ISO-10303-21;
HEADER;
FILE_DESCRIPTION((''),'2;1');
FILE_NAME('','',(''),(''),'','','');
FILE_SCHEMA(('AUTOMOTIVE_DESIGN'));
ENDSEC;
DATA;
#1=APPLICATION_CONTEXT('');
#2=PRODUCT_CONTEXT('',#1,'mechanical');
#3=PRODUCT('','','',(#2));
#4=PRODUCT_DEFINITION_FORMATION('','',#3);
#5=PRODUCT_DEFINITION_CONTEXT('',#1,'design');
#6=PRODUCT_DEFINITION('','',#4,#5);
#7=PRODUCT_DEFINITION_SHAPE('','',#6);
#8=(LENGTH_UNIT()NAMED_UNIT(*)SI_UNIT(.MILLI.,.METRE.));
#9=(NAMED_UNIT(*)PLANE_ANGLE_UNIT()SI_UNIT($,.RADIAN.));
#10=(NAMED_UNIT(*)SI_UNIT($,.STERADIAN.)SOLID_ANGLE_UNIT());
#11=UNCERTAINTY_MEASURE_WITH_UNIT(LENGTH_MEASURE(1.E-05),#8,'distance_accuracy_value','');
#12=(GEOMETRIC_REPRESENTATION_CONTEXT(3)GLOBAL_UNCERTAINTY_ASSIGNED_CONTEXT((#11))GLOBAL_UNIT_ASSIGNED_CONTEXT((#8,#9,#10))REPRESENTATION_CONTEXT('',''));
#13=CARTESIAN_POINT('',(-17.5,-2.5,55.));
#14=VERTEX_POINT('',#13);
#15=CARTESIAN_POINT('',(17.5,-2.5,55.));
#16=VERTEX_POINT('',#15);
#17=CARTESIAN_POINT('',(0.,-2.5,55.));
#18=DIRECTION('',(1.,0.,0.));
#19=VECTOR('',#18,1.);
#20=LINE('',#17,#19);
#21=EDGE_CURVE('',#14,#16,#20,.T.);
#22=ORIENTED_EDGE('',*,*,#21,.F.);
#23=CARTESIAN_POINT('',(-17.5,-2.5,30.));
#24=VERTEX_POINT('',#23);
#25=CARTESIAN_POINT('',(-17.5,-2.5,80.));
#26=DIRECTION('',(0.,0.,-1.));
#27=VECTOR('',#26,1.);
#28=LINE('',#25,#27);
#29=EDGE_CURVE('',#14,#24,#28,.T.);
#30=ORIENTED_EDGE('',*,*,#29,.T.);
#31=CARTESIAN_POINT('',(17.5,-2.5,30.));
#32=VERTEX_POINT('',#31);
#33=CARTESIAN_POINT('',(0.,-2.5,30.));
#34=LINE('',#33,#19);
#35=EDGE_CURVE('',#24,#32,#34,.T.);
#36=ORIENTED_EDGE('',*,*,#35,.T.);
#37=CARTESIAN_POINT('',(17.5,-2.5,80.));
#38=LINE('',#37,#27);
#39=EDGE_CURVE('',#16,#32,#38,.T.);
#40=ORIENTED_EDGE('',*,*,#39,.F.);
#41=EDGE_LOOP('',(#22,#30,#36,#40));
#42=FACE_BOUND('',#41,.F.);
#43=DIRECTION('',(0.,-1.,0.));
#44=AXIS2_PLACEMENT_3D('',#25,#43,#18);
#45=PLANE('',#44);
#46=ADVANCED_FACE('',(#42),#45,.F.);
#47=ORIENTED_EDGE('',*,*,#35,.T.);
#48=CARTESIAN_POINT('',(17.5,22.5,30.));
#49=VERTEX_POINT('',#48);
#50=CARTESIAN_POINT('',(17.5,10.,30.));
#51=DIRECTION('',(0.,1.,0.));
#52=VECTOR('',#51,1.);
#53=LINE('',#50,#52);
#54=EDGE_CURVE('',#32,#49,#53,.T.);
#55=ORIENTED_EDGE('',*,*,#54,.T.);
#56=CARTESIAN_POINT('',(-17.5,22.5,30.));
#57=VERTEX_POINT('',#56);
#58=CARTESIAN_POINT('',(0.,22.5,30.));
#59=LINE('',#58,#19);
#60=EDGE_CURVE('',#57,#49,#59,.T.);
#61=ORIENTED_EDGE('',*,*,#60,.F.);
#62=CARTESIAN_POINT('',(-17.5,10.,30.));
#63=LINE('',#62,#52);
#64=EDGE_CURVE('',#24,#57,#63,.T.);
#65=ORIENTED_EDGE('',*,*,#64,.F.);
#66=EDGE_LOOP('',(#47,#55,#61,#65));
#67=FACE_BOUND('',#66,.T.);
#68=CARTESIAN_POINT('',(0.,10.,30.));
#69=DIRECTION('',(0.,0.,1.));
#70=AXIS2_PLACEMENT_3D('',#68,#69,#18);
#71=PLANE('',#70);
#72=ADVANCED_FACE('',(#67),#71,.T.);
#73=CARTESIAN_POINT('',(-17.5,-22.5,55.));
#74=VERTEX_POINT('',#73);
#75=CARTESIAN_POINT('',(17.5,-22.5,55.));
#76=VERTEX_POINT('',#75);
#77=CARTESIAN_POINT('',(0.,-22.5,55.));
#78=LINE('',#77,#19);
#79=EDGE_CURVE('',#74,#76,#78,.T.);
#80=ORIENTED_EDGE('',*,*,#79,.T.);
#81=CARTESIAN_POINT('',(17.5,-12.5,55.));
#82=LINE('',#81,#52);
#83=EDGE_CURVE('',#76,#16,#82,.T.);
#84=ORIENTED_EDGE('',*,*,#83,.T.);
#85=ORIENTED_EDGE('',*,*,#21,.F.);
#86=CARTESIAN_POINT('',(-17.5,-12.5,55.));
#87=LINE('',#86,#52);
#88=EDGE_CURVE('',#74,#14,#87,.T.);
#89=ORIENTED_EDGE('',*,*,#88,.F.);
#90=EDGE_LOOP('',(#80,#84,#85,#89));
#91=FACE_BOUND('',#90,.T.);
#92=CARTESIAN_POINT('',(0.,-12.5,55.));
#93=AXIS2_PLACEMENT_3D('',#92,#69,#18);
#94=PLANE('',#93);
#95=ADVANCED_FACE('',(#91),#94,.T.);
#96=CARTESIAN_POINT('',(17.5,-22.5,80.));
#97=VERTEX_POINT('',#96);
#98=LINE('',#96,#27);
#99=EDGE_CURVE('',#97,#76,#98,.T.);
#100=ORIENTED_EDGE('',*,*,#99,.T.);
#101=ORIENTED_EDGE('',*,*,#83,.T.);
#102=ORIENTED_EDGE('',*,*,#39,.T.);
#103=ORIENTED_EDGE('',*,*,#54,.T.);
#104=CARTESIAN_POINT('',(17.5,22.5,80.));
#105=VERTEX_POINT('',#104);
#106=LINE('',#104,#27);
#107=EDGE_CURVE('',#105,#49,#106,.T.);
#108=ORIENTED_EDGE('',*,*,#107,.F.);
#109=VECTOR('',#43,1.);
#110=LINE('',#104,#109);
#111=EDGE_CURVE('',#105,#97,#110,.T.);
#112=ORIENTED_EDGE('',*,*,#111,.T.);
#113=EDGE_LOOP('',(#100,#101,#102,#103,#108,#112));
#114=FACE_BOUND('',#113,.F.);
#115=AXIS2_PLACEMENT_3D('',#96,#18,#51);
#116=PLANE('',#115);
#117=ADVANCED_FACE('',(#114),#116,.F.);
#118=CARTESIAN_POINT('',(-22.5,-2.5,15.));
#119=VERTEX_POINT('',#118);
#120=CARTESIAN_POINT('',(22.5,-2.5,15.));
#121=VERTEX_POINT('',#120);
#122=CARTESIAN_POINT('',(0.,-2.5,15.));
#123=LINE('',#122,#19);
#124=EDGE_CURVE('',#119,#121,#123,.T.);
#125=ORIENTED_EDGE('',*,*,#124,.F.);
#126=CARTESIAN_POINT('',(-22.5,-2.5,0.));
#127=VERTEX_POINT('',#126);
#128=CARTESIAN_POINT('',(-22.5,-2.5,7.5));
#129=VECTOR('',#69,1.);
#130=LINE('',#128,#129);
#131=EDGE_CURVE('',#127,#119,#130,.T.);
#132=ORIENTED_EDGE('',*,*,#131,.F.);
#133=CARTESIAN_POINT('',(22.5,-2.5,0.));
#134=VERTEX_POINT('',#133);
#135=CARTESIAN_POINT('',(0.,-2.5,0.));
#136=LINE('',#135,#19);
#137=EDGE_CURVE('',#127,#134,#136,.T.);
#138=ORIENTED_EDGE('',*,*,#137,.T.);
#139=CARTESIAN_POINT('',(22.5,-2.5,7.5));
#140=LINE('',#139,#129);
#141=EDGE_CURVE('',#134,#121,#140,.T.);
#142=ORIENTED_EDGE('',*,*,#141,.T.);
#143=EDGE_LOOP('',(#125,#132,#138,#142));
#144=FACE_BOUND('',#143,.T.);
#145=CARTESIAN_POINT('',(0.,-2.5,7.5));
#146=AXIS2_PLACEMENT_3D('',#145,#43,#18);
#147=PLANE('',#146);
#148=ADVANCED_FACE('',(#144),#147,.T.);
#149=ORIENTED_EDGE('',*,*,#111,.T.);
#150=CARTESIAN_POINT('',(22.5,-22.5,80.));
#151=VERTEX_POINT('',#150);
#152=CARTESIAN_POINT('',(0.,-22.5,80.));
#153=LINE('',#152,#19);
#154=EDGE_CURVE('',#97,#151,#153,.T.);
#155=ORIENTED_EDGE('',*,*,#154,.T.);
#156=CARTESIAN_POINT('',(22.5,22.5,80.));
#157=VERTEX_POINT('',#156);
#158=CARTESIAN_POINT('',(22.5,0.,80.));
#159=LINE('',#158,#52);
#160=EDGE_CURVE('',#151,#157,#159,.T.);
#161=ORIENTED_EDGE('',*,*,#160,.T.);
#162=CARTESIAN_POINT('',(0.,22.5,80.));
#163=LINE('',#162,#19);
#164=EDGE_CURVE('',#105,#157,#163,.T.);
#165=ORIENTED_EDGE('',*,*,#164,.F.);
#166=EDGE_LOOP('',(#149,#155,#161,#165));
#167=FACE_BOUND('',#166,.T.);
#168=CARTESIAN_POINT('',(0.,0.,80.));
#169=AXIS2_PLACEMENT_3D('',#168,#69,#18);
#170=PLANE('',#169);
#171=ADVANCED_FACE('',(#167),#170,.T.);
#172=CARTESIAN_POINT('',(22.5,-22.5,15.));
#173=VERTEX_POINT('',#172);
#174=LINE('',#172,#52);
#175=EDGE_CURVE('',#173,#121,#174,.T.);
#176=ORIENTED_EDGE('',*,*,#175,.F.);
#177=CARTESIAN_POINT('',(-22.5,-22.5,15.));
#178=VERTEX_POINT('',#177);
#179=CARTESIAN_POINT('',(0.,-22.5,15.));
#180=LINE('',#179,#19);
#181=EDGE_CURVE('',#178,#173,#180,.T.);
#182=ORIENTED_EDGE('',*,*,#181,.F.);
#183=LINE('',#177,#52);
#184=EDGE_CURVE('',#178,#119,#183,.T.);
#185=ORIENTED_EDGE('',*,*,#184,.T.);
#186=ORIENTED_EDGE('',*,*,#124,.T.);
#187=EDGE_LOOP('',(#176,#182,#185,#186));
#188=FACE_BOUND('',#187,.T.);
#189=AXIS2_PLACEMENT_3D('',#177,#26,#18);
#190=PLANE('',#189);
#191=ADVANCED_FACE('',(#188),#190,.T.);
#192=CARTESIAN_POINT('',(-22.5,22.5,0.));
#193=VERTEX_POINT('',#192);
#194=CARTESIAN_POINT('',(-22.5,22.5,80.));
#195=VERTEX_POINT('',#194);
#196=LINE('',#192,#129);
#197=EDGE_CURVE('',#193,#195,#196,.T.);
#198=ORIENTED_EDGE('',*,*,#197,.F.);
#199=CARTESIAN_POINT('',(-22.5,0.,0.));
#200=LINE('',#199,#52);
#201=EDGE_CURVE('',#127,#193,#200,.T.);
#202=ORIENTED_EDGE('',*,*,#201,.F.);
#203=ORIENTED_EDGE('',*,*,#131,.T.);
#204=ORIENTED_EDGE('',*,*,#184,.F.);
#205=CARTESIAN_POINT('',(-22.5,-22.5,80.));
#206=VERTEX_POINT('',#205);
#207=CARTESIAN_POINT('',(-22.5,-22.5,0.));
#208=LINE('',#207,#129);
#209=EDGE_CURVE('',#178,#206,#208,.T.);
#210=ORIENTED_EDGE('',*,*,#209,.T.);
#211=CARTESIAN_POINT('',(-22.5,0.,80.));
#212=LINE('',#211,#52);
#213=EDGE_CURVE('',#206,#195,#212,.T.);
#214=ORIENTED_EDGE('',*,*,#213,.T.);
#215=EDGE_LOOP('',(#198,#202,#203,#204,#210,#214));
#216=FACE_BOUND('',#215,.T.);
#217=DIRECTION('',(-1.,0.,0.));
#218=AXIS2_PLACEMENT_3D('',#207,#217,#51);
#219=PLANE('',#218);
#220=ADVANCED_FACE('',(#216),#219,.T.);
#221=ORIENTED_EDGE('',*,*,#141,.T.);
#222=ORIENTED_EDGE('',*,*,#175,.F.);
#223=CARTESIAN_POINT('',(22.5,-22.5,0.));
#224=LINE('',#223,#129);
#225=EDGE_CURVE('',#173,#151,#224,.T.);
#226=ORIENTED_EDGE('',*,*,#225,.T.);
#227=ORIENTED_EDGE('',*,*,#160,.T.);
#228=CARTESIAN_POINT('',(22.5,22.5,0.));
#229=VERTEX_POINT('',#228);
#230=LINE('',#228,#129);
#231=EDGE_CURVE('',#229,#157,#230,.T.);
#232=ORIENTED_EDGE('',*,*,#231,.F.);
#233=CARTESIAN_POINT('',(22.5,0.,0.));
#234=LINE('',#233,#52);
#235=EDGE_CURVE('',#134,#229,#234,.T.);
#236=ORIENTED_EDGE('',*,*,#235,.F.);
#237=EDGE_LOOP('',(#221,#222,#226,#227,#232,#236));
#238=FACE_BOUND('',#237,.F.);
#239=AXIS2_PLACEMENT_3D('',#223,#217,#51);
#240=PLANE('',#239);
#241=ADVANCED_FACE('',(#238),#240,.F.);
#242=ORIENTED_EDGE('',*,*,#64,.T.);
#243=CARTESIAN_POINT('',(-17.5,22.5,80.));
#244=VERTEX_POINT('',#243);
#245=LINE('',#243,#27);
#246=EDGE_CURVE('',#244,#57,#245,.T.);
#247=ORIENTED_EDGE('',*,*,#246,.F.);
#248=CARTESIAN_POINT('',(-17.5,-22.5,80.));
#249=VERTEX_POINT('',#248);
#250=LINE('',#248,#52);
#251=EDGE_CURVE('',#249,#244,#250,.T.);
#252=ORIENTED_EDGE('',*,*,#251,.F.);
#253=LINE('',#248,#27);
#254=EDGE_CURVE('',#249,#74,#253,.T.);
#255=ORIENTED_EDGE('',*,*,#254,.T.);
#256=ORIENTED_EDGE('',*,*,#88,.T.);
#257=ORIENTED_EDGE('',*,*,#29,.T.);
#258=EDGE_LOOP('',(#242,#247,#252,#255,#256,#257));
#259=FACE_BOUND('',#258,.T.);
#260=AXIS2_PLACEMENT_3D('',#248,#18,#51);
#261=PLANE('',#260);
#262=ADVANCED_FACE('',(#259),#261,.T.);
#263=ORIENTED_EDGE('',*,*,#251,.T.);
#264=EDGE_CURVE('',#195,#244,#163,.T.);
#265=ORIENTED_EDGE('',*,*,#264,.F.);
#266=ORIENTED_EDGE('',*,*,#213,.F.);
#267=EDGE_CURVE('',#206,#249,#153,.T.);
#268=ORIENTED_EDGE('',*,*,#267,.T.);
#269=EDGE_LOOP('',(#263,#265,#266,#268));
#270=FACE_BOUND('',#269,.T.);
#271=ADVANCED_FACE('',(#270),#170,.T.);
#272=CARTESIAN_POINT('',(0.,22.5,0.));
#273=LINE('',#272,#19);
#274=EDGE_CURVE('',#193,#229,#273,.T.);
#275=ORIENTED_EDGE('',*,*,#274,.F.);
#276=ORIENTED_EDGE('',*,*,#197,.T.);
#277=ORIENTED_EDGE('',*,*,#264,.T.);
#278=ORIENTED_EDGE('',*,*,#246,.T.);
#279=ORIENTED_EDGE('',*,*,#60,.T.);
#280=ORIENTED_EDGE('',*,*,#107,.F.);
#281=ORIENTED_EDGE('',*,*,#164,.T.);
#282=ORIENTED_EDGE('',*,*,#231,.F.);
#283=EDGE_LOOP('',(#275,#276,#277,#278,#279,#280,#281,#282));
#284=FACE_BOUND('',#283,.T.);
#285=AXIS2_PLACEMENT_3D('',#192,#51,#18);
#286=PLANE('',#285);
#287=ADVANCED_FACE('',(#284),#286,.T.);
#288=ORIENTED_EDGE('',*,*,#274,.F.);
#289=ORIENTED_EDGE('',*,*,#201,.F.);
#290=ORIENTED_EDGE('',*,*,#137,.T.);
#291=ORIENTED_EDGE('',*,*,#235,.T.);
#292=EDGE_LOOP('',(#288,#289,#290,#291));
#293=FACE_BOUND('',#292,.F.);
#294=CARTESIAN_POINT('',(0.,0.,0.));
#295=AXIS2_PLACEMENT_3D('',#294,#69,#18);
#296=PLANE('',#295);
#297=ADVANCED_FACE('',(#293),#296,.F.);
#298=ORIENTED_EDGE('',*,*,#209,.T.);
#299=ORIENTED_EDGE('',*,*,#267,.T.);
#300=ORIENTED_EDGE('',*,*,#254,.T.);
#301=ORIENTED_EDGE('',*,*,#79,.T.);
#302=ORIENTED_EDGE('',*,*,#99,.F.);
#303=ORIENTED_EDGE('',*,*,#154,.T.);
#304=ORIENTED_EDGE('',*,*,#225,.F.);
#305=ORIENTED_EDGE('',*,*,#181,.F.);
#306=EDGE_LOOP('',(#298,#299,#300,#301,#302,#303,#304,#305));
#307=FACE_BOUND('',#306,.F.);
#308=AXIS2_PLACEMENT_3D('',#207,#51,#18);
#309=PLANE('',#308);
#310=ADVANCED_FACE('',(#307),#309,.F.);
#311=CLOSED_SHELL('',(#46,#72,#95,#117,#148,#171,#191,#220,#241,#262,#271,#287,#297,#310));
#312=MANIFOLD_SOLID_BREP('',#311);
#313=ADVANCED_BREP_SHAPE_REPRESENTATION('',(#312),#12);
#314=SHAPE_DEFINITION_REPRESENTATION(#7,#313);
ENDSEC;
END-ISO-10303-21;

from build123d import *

# Parameters (mm, degrees)
F0_W     = 45
F0_H     = 45
F1_DEPTH = 80
F2_W     = 35
F2_H     = 20
F4_DEPTH = 25
F2_H_2   = 25
F5_DEPTH = 50
F3_W     = 45
F3_H     = 15
F6_DEPTH = 20


with BuildPart() as f1:
    # F0 (on Top) → F1 (new body)
    with BuildSketch(Plane.XY):
        Rectangle(F0_W, F0_H)
    extrude(amount=F1_DEPTH)

    # F2 (on face) → F4 (cut)
    with BuildSketch(Plane.XY.offset(80)):
        with Locations((0, -12.5)):
            Rectangle(F2_W, F2_H)
    extrude(amount=-F4_DEPTH, mode=Mode.SUBTRACT)

    # F2 (on face) → F5 (cut)
    with BuildSketch(Plane.XY.offset(80)):
        with Locations((0, 10)):
            Rectangle(F2_W, F2_H_2)
    extrude(amount=-F5_DEPTH, mode=Mode.SUBTRACT)

    # F3 (on face) → F6 (cut)
    with BuildSketch(Plane.XZ.offset(22.5)):
        with Locations((0, 7.5)):
            Rectangle(F3_W, F3_H)
    extrude(amount=-F6_DEPTH, mode=Mode.SUBTRACT)


solid = f1.part
